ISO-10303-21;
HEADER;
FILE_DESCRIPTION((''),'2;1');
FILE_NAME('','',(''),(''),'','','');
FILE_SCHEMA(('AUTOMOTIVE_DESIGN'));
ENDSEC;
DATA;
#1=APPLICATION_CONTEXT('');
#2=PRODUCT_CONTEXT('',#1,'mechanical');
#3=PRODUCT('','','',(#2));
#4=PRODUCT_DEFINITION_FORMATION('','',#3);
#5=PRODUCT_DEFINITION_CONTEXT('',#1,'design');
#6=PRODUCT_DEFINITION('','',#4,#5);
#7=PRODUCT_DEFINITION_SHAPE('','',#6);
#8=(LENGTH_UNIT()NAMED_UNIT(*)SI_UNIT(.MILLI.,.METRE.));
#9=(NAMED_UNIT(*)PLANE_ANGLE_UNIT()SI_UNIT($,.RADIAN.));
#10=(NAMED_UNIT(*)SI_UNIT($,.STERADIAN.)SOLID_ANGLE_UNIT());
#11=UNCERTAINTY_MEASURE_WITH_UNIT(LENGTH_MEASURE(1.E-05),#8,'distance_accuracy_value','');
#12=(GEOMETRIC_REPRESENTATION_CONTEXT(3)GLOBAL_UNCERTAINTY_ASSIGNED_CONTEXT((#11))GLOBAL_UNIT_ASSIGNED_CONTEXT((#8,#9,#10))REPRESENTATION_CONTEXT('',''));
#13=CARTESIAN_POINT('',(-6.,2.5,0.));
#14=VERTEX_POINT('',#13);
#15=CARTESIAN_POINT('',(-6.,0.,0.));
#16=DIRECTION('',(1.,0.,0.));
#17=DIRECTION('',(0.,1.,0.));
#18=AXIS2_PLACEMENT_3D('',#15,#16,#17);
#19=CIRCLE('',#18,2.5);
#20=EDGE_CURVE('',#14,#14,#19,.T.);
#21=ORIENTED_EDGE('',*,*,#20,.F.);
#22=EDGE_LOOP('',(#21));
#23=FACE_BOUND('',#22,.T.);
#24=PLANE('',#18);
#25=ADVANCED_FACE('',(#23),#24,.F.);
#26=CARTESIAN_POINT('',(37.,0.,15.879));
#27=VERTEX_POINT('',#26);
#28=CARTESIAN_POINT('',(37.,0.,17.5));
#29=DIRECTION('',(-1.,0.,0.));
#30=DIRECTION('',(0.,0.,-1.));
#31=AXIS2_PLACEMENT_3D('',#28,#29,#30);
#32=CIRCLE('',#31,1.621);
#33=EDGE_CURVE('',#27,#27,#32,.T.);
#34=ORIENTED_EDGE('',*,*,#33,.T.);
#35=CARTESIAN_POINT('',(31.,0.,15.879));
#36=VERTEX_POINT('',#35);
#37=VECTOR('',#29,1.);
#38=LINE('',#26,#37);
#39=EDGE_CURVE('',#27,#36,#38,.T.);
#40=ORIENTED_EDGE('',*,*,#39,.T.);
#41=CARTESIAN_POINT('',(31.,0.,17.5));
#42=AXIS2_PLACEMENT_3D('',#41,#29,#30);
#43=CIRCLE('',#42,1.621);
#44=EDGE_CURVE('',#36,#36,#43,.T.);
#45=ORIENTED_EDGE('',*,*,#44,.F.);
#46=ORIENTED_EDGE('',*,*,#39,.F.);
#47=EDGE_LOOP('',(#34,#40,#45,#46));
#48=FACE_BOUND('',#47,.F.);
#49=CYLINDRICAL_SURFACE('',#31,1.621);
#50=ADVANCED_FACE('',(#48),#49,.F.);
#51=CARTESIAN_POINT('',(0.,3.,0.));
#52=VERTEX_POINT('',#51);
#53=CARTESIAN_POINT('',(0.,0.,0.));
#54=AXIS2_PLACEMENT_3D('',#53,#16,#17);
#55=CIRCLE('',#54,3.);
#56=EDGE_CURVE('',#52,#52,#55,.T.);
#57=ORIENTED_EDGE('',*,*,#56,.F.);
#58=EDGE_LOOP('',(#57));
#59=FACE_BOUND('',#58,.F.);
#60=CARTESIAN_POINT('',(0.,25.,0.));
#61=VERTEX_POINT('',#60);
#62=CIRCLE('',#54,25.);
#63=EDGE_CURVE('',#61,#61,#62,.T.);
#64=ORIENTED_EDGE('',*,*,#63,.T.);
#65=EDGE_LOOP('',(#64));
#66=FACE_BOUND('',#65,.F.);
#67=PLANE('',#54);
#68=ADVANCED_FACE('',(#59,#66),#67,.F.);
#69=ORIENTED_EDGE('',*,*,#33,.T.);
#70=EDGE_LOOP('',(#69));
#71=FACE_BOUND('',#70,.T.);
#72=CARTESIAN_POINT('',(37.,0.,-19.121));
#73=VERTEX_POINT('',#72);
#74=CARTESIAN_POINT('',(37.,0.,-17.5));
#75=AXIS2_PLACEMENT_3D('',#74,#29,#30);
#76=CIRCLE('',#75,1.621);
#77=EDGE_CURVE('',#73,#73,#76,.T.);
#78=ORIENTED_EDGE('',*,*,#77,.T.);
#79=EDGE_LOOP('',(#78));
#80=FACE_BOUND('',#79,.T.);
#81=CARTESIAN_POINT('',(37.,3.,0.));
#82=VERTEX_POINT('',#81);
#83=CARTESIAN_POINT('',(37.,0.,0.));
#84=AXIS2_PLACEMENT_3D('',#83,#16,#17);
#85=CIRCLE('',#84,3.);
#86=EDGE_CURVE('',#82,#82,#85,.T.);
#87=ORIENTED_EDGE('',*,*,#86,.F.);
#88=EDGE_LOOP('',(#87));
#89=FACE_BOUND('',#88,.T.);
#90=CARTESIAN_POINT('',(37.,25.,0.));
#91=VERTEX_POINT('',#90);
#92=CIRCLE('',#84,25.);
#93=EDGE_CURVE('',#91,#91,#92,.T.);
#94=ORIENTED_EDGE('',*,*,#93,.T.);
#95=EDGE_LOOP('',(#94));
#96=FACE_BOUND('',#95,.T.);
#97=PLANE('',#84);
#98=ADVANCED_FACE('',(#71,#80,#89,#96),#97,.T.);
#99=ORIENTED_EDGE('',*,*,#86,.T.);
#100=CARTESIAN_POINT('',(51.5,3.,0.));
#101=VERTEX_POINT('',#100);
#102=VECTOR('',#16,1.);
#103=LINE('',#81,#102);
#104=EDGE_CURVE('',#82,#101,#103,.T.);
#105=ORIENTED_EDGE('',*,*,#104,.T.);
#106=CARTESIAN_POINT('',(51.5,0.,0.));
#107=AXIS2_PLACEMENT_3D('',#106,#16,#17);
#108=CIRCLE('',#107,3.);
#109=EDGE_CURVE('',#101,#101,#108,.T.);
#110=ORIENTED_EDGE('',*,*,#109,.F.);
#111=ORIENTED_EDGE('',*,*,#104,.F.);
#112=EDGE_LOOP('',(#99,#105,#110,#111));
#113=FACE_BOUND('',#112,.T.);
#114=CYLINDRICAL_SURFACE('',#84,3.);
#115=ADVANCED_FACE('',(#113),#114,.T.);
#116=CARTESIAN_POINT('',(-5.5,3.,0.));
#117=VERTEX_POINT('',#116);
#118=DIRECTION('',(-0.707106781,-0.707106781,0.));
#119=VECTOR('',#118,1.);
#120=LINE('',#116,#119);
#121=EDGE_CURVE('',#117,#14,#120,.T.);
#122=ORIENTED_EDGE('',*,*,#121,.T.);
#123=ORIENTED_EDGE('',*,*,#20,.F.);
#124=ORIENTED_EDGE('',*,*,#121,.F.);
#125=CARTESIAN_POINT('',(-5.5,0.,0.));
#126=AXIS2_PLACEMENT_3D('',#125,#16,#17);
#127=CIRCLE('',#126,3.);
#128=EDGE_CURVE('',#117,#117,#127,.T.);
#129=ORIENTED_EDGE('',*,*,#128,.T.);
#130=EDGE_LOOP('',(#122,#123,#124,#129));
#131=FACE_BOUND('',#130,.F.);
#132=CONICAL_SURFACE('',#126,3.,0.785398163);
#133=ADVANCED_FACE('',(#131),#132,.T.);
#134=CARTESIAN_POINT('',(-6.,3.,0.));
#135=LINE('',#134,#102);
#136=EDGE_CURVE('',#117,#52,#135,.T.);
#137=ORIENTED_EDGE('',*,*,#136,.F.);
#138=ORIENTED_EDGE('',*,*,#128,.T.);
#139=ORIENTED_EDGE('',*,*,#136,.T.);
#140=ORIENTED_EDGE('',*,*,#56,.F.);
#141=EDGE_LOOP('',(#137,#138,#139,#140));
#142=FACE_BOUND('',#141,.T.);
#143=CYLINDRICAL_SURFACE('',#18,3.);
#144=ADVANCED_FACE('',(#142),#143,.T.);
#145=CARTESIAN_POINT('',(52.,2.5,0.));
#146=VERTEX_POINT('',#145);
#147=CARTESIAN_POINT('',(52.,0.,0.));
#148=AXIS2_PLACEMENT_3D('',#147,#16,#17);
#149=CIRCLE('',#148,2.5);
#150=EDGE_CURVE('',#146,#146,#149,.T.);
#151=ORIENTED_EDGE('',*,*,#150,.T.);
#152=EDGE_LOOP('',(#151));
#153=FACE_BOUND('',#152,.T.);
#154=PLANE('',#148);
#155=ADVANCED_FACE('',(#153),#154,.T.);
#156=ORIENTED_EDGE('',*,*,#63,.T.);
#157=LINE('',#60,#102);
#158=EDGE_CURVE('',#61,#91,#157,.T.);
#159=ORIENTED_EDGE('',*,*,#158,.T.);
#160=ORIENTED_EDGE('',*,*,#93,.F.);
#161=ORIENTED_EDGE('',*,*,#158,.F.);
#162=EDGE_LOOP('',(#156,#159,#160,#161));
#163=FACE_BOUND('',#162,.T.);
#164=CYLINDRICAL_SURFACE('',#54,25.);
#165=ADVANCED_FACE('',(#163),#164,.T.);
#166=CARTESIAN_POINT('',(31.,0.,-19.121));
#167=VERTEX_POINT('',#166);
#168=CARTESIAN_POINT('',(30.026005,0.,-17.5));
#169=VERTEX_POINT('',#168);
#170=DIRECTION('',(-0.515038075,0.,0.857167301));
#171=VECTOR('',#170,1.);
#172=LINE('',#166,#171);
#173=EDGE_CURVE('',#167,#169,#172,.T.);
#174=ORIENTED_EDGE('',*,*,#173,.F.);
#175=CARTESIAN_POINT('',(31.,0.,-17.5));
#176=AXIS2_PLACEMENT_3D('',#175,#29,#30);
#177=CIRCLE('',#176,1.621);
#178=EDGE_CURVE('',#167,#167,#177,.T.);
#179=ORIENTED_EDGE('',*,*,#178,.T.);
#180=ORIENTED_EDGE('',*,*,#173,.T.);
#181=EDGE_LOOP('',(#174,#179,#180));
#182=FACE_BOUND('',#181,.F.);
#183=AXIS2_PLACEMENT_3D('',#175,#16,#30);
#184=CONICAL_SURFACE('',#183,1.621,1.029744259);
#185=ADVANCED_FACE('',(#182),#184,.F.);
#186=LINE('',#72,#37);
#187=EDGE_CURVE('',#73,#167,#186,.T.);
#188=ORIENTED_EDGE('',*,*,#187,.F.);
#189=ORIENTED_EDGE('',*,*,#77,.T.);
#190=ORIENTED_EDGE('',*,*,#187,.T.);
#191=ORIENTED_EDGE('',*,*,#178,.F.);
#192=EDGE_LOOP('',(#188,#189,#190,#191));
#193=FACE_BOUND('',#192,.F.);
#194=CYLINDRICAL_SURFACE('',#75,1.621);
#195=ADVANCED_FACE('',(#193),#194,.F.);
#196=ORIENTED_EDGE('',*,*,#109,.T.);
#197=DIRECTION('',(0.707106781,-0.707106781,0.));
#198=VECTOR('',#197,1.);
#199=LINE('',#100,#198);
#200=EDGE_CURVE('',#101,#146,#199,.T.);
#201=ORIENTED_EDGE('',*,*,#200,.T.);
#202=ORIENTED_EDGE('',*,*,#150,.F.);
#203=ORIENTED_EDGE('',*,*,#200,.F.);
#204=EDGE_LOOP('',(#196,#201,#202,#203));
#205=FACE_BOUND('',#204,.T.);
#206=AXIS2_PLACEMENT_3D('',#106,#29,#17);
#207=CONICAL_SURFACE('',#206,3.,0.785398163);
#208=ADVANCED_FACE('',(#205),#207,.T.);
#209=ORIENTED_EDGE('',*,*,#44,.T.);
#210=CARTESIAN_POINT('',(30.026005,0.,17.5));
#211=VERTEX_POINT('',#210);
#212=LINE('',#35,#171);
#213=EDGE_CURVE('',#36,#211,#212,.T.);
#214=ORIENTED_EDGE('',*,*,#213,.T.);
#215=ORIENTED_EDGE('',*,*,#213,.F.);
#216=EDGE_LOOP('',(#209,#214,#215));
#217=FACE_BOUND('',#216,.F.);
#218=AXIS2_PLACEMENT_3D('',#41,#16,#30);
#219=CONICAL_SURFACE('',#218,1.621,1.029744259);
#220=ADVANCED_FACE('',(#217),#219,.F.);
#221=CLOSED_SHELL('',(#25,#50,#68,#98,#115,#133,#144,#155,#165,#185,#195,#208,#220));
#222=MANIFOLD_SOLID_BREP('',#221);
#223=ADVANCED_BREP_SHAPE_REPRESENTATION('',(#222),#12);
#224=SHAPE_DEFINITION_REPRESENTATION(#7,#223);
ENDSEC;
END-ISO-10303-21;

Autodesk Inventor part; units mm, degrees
ref_plane "YZ Plane" through (0, 0, 0) normal (1, 0, 0) x (0, 1, 0)
ref_plane "XZ Plane" through (0, 0, 0) normal (0, 1, 0) x (-1, 0, 0)
ref_plane "XY Plane" through (0, 0, 0) normal (0, 0, 1) x (1, 0, 0)
sketch "Skizze1" plane through (0, 0, 0) normal (0, 0, 1) x (1, 0, 0)
  line L0 (0, 30) -> (0, -5) projected
  line L1 (-17.6, 0) -> (63.6, 0) projected
  line L2 (-6, 0) -> (-6, 3)
  line L3 (-6, 3) -> (0, 3)
  line L4 (0, 3) -> (0, 25)
  line L5 (0, 25) -> (37, 25)
  line L6 (37, 25) -> (37, 3)
  line L7 (37, 3) -> (52, 3)
  line L8 (52, 3) -> (52, 0)
  point P0 (0, 0)
  dimension "d0" = 15
  dimension "d2" = 37
  dimension "d3" = 58
  dimension "d4" = 25
  dimension "d5" = 3
  dimension "d6" = 3
revolve "Umdrehung1" add sketch "Skizze1" angle 360 about axis through (0, 0, 0) along (1, 0, 0)
sketch "Skizze2" plane through (37, 0, 0) normal (1, 0, 0) x (0, 0, -1)
  circle A0 centre (0, 0) radius 3 projected
  point P0 (-17.5, 0)
  point P1 (17.5, 0)
  dimension "d8" = 35
  dimension "d9" = 17.5
hole "Bohrung1" at (37, 0, 17.5) at (37, 0, -17.5) direction (-1, 0, 0) diameter 3.242 depth 6 tip angle 118 thread size "M4x0.7" class "6H" standard "ISO Metric profile"
chamfer "Fase1" distance 0.5 angle 45 2 edges at (52, -3, 0) (-6, -3, 0)
equation "\"d9\" = 0.5 * d8"
equation "\"d6\" = d5"
properties part number "Motor50" material "Steel"
